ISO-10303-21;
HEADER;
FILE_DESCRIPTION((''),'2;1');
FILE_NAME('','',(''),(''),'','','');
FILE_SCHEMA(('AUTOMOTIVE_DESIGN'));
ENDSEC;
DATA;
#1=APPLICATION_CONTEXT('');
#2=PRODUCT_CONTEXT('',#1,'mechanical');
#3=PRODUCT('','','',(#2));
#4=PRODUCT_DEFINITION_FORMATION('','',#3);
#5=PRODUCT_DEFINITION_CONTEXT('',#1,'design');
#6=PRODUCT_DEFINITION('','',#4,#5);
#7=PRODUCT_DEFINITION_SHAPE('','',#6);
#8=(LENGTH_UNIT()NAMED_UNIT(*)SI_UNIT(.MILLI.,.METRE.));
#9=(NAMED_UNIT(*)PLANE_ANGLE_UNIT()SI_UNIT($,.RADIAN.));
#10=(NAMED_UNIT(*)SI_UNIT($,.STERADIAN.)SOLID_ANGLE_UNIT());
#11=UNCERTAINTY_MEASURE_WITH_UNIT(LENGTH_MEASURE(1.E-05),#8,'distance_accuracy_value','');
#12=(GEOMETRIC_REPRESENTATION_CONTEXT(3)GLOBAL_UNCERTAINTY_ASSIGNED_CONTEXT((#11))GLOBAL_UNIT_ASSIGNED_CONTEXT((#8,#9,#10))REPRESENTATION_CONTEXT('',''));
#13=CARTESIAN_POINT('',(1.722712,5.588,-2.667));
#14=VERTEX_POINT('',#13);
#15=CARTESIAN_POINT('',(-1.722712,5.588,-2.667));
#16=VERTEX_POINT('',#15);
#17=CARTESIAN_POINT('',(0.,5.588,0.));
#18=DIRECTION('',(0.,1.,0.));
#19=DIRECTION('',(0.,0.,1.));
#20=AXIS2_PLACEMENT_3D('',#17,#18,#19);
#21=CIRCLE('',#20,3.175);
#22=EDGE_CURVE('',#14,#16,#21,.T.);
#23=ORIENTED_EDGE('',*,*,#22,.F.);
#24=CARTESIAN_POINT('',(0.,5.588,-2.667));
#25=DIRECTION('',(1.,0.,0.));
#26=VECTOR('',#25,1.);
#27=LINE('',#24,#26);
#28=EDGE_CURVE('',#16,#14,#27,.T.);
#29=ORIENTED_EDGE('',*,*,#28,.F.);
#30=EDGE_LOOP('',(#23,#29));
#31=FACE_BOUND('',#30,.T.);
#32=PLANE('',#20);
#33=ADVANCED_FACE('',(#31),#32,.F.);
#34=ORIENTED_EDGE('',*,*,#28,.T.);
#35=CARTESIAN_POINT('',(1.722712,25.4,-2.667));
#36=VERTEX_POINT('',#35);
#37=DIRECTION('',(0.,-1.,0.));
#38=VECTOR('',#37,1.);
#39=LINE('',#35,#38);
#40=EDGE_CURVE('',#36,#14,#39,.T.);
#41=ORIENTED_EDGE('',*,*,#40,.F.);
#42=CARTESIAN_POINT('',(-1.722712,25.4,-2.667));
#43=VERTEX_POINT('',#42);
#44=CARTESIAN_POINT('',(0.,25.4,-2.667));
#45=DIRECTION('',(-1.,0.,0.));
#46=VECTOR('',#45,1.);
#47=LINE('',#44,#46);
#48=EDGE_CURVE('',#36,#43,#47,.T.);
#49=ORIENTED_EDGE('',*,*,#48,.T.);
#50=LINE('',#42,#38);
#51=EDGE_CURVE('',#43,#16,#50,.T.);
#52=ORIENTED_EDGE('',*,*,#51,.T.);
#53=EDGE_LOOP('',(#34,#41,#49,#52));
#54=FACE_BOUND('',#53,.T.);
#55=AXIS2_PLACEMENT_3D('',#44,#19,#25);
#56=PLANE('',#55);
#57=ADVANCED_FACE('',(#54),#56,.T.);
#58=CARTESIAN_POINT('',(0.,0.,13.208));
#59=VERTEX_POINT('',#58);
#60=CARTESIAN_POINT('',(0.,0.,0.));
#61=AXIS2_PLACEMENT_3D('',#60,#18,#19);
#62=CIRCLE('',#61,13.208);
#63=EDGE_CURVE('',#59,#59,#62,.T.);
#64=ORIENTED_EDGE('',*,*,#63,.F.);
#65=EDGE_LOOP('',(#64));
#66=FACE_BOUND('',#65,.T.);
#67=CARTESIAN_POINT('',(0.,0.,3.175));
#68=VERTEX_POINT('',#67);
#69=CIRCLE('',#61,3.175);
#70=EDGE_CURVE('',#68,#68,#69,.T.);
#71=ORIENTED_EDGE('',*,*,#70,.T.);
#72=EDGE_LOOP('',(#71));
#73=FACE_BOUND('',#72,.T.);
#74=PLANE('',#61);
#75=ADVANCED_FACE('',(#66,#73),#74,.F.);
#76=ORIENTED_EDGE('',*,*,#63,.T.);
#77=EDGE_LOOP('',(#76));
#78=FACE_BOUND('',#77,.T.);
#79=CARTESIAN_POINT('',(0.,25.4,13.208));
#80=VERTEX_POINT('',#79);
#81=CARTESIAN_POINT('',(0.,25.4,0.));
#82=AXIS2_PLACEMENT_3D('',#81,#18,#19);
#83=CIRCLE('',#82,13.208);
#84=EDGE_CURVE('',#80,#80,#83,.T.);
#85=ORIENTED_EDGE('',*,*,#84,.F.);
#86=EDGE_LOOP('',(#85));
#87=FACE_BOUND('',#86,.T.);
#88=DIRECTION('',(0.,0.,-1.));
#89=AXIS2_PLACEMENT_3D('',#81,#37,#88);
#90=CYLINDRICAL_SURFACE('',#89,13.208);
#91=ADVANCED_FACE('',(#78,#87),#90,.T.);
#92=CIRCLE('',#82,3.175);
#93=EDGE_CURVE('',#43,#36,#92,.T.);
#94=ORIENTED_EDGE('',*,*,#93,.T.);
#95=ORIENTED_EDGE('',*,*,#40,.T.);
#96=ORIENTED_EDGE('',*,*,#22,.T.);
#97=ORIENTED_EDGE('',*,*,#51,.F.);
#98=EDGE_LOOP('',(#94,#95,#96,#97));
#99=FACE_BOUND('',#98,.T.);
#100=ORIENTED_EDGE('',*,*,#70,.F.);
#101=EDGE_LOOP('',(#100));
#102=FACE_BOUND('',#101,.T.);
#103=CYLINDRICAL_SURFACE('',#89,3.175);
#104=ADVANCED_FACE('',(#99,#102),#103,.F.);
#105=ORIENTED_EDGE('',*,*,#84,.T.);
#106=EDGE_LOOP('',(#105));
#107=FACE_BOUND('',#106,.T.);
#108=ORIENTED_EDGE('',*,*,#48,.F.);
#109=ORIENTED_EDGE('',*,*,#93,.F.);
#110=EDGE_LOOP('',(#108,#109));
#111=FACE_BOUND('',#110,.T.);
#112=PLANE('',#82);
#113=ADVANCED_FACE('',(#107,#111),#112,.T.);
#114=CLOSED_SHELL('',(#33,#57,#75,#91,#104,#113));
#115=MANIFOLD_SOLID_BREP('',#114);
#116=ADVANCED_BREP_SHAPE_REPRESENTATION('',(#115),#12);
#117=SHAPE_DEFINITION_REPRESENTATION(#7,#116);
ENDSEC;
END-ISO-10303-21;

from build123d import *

# Parameters (mm, degrees)
SKETCH1_R           = 13.208
BOSS_EXTRUDE4_DEPTH = 25.4
CUT_EXTRUDE3_DEPTH  = 32.528757159
CUT_EXTRUDE4_DEPTH  = 5.588


with BuildPart() as part:
    # Sketch1 → Boss-Extrude4 (new body)
    with BuildSketch(Plane(origin=(0, 0, 0), x_dir=(1, 0, 0), z_dir=(0, 1, 0))):
        Circle(SKETCH1_R)
    extrude(amount=BOSS_EXTRUDE4_DEPTH)

    # Sketch1<6> → Cut-Extrude3 (cut, through all)
    with BuildSketch(Plane(origin=(0, 0, 0), x_dir=(1, 0, 0), z_dir=(0, 1, 0))):
        with BuildLine():
            Line((1.722711816, 2.667), (0, 2.667))
            Line((0, 2.667), (-1.722711816, 2.667))
            ThreePointArc((-1.722711816, 2.667), (-1.51838977, -2.78838977), (3.175, 0))
            ThreePointArc((3.175, 0), (2.78838977, 1.51838977), (1.722711816, 2.667))
        make_face()
    extrude(amount=CUT_EXTRUDE3_DEPTH, mode=Mode.SUBTRACT)

    # Sketch1<7> → Cut-Extrude4 (cut)
    with BuildSketch(Plane(origin=(0, 0, 0), x_dir=(1, 0, 0), z_dir=(0, 1, 0))):
        with BuildLine():
            Line((-1.722711816, 2.667), (0, 2.667))
            Line((0, 2.667), (1.722711816, 2.667))
            ThreePointArc((1.722711816, 2.667), (0, 3.175), (-1.722711816, 2.667))
        make_face()
    extrude(amount=CUT_EXTRUDE4_DEPTH, mode=Mode.SUBTRACT)


solid = part.part
